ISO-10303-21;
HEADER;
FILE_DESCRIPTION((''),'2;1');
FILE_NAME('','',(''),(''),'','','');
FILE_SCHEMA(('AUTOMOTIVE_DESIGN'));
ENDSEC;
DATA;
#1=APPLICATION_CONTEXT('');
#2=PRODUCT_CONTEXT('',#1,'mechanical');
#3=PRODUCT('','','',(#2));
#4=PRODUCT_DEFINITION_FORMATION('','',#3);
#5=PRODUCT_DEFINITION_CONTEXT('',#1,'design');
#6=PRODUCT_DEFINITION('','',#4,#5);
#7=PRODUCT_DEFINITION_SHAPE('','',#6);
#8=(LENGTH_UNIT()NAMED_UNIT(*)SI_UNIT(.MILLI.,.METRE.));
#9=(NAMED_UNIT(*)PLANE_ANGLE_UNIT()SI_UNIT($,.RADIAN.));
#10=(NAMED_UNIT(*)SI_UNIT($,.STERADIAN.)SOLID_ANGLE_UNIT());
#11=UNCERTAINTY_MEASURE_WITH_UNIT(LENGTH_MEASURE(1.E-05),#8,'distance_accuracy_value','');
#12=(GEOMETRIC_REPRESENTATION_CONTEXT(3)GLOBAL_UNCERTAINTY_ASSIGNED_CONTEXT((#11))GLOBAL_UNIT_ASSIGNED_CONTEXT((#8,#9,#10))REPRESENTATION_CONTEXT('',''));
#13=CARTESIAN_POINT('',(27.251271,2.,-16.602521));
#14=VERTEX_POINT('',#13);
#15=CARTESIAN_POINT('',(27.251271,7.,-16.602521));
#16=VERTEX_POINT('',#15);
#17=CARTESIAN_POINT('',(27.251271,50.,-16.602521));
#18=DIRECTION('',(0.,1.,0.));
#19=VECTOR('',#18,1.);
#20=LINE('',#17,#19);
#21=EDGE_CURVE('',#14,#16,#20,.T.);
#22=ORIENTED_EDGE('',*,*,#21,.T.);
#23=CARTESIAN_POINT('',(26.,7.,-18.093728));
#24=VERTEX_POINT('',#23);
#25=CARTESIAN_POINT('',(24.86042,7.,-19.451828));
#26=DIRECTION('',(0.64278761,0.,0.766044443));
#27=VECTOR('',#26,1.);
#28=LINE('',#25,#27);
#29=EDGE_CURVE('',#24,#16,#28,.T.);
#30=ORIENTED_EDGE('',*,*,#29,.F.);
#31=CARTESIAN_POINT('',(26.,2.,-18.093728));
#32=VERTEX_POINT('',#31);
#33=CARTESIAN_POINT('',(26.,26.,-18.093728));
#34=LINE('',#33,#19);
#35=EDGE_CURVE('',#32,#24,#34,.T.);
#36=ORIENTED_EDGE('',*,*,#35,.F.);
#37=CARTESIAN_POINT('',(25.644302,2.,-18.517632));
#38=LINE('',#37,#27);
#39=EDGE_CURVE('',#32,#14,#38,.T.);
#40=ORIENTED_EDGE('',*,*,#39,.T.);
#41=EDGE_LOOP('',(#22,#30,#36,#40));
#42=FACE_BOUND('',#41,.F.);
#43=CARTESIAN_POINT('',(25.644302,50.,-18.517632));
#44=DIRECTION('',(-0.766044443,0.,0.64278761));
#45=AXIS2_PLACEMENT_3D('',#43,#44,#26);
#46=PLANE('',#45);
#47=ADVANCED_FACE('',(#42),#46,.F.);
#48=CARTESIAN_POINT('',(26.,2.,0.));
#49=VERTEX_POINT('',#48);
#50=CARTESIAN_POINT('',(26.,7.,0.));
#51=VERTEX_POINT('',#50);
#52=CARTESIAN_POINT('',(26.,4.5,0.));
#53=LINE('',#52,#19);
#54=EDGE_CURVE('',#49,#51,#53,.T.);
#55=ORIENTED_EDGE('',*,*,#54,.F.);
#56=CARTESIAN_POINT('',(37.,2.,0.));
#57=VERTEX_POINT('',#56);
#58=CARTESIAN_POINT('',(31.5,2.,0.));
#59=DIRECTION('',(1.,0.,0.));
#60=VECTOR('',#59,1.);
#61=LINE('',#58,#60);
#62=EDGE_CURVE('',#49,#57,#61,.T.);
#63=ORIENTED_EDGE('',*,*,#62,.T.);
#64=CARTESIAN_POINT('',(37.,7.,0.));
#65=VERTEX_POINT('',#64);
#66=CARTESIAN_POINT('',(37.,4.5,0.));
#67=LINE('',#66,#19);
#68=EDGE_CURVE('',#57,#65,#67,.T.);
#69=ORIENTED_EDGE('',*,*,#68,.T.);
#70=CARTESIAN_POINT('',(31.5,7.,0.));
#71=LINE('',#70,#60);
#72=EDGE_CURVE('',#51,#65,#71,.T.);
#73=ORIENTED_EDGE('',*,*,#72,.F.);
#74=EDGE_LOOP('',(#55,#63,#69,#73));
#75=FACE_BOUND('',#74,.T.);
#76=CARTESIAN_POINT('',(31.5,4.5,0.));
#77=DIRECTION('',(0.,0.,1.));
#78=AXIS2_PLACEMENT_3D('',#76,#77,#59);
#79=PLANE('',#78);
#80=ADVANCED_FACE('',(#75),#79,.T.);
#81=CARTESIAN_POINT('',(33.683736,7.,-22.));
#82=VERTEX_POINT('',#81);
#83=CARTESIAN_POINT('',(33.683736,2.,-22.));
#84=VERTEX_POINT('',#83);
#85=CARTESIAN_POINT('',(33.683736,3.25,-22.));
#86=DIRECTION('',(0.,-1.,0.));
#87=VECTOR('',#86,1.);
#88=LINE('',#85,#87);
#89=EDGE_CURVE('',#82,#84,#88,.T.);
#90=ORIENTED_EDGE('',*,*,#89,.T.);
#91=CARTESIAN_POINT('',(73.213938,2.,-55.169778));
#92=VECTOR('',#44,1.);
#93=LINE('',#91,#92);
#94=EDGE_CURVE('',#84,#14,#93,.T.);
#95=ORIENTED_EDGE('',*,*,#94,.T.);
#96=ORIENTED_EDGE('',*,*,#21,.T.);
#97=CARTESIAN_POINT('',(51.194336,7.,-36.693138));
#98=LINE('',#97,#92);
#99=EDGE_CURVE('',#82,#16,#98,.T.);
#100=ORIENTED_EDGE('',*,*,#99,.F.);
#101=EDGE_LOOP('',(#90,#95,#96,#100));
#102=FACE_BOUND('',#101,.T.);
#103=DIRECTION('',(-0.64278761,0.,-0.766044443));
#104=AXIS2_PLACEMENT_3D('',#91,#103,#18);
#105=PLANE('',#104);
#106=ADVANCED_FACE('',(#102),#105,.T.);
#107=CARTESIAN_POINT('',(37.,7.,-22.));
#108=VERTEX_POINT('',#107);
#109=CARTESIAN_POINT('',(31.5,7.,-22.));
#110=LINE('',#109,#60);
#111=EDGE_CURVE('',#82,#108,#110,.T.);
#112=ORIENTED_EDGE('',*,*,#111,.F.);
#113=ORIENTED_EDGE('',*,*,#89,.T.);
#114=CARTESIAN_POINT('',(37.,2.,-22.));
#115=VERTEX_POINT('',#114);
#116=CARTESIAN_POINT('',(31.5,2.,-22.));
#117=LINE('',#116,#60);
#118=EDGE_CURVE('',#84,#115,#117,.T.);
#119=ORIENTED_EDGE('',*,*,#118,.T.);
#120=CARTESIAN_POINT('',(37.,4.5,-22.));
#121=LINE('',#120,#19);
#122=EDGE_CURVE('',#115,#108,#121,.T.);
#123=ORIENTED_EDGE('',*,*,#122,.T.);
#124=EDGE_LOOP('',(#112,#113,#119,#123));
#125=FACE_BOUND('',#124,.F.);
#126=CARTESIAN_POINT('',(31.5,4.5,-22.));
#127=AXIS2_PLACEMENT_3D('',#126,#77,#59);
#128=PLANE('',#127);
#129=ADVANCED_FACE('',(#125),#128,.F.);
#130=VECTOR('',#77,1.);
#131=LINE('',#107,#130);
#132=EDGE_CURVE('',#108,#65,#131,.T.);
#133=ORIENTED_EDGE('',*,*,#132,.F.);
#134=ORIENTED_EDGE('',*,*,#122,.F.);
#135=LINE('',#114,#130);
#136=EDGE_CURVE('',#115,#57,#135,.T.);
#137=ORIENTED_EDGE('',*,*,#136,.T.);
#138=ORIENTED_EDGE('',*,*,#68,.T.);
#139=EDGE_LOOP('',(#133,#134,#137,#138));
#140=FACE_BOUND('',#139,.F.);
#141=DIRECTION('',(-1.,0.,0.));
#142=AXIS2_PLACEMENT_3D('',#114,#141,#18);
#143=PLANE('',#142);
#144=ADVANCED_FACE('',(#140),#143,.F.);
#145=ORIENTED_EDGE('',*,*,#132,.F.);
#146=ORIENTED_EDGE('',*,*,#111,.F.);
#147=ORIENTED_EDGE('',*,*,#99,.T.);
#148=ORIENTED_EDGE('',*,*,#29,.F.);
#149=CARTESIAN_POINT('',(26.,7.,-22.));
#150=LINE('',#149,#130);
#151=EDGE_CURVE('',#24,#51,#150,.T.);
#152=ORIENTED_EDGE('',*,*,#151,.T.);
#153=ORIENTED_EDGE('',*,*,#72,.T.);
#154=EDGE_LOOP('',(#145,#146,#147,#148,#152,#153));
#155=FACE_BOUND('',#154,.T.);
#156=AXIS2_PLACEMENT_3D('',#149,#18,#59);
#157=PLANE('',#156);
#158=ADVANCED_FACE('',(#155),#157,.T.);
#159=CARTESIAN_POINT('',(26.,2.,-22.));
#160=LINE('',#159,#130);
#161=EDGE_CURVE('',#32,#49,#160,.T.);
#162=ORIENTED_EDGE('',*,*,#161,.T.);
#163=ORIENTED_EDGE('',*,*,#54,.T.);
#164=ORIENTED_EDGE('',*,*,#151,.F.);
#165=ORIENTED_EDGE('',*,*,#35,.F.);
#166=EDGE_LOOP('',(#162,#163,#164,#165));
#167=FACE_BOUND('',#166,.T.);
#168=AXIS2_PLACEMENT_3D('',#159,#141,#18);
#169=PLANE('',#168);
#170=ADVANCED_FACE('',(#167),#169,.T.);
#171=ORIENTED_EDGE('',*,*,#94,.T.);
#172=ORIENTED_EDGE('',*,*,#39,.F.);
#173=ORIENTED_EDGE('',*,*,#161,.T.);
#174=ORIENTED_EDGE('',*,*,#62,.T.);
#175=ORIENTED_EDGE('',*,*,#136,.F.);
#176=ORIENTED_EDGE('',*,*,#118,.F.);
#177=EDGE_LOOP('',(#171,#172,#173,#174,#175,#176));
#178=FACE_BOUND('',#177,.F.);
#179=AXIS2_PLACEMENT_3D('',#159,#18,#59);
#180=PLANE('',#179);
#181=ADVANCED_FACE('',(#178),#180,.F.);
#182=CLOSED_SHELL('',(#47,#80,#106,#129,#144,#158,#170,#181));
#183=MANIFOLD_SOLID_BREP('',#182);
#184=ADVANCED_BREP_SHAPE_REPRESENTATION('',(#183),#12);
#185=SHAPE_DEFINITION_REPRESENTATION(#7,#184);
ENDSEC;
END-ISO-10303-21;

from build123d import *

# Parameters (mm, degrees)
BOX020_W               = 5
BOX020_H               = 96
BOX020_DEPTH           = 60
BOX020_PLACEMENT_ANGLE = 310
BOX017_W               = 11
BOX017_H               = 5
BOX017_DEPTH           = 22


with BuildPart() as cube020:
    # Box020 → Box020 (new body)
    with BuildSketch(Plane.XY):
        with Locations((2.5, 48)):
            Rectangle(BOX020_W, BOX020_H)
    extrude(amount=BOX020_DEPTH)


with BuildPart() as cube020_1:
    # Box020 placement: moved
    add(cube020.part.moved(Location((70, 2, -59))).rotate(Axis((70, 2, -59), (0, 1, 0)), BOX020_PLACEMENT_ANGLE))


with BuildPart() as cut011:
    # Box017 → Box017 (new body)
    with BuildSketch(Plane(origin=(26, 2, -22), x_dir=(1, 0, 0), z_dir=(0, 0, 1))):
        with Locations((5.5, 2.5)):
            Rectangle(BOX017_W, BOX017_H)
    extrude(amount=BOX017_DEPTH)

    # Cut011: cut Cube020
    add(cube020_1.part, mode=Mode.SUBTRACT)


solid = cut011.part
